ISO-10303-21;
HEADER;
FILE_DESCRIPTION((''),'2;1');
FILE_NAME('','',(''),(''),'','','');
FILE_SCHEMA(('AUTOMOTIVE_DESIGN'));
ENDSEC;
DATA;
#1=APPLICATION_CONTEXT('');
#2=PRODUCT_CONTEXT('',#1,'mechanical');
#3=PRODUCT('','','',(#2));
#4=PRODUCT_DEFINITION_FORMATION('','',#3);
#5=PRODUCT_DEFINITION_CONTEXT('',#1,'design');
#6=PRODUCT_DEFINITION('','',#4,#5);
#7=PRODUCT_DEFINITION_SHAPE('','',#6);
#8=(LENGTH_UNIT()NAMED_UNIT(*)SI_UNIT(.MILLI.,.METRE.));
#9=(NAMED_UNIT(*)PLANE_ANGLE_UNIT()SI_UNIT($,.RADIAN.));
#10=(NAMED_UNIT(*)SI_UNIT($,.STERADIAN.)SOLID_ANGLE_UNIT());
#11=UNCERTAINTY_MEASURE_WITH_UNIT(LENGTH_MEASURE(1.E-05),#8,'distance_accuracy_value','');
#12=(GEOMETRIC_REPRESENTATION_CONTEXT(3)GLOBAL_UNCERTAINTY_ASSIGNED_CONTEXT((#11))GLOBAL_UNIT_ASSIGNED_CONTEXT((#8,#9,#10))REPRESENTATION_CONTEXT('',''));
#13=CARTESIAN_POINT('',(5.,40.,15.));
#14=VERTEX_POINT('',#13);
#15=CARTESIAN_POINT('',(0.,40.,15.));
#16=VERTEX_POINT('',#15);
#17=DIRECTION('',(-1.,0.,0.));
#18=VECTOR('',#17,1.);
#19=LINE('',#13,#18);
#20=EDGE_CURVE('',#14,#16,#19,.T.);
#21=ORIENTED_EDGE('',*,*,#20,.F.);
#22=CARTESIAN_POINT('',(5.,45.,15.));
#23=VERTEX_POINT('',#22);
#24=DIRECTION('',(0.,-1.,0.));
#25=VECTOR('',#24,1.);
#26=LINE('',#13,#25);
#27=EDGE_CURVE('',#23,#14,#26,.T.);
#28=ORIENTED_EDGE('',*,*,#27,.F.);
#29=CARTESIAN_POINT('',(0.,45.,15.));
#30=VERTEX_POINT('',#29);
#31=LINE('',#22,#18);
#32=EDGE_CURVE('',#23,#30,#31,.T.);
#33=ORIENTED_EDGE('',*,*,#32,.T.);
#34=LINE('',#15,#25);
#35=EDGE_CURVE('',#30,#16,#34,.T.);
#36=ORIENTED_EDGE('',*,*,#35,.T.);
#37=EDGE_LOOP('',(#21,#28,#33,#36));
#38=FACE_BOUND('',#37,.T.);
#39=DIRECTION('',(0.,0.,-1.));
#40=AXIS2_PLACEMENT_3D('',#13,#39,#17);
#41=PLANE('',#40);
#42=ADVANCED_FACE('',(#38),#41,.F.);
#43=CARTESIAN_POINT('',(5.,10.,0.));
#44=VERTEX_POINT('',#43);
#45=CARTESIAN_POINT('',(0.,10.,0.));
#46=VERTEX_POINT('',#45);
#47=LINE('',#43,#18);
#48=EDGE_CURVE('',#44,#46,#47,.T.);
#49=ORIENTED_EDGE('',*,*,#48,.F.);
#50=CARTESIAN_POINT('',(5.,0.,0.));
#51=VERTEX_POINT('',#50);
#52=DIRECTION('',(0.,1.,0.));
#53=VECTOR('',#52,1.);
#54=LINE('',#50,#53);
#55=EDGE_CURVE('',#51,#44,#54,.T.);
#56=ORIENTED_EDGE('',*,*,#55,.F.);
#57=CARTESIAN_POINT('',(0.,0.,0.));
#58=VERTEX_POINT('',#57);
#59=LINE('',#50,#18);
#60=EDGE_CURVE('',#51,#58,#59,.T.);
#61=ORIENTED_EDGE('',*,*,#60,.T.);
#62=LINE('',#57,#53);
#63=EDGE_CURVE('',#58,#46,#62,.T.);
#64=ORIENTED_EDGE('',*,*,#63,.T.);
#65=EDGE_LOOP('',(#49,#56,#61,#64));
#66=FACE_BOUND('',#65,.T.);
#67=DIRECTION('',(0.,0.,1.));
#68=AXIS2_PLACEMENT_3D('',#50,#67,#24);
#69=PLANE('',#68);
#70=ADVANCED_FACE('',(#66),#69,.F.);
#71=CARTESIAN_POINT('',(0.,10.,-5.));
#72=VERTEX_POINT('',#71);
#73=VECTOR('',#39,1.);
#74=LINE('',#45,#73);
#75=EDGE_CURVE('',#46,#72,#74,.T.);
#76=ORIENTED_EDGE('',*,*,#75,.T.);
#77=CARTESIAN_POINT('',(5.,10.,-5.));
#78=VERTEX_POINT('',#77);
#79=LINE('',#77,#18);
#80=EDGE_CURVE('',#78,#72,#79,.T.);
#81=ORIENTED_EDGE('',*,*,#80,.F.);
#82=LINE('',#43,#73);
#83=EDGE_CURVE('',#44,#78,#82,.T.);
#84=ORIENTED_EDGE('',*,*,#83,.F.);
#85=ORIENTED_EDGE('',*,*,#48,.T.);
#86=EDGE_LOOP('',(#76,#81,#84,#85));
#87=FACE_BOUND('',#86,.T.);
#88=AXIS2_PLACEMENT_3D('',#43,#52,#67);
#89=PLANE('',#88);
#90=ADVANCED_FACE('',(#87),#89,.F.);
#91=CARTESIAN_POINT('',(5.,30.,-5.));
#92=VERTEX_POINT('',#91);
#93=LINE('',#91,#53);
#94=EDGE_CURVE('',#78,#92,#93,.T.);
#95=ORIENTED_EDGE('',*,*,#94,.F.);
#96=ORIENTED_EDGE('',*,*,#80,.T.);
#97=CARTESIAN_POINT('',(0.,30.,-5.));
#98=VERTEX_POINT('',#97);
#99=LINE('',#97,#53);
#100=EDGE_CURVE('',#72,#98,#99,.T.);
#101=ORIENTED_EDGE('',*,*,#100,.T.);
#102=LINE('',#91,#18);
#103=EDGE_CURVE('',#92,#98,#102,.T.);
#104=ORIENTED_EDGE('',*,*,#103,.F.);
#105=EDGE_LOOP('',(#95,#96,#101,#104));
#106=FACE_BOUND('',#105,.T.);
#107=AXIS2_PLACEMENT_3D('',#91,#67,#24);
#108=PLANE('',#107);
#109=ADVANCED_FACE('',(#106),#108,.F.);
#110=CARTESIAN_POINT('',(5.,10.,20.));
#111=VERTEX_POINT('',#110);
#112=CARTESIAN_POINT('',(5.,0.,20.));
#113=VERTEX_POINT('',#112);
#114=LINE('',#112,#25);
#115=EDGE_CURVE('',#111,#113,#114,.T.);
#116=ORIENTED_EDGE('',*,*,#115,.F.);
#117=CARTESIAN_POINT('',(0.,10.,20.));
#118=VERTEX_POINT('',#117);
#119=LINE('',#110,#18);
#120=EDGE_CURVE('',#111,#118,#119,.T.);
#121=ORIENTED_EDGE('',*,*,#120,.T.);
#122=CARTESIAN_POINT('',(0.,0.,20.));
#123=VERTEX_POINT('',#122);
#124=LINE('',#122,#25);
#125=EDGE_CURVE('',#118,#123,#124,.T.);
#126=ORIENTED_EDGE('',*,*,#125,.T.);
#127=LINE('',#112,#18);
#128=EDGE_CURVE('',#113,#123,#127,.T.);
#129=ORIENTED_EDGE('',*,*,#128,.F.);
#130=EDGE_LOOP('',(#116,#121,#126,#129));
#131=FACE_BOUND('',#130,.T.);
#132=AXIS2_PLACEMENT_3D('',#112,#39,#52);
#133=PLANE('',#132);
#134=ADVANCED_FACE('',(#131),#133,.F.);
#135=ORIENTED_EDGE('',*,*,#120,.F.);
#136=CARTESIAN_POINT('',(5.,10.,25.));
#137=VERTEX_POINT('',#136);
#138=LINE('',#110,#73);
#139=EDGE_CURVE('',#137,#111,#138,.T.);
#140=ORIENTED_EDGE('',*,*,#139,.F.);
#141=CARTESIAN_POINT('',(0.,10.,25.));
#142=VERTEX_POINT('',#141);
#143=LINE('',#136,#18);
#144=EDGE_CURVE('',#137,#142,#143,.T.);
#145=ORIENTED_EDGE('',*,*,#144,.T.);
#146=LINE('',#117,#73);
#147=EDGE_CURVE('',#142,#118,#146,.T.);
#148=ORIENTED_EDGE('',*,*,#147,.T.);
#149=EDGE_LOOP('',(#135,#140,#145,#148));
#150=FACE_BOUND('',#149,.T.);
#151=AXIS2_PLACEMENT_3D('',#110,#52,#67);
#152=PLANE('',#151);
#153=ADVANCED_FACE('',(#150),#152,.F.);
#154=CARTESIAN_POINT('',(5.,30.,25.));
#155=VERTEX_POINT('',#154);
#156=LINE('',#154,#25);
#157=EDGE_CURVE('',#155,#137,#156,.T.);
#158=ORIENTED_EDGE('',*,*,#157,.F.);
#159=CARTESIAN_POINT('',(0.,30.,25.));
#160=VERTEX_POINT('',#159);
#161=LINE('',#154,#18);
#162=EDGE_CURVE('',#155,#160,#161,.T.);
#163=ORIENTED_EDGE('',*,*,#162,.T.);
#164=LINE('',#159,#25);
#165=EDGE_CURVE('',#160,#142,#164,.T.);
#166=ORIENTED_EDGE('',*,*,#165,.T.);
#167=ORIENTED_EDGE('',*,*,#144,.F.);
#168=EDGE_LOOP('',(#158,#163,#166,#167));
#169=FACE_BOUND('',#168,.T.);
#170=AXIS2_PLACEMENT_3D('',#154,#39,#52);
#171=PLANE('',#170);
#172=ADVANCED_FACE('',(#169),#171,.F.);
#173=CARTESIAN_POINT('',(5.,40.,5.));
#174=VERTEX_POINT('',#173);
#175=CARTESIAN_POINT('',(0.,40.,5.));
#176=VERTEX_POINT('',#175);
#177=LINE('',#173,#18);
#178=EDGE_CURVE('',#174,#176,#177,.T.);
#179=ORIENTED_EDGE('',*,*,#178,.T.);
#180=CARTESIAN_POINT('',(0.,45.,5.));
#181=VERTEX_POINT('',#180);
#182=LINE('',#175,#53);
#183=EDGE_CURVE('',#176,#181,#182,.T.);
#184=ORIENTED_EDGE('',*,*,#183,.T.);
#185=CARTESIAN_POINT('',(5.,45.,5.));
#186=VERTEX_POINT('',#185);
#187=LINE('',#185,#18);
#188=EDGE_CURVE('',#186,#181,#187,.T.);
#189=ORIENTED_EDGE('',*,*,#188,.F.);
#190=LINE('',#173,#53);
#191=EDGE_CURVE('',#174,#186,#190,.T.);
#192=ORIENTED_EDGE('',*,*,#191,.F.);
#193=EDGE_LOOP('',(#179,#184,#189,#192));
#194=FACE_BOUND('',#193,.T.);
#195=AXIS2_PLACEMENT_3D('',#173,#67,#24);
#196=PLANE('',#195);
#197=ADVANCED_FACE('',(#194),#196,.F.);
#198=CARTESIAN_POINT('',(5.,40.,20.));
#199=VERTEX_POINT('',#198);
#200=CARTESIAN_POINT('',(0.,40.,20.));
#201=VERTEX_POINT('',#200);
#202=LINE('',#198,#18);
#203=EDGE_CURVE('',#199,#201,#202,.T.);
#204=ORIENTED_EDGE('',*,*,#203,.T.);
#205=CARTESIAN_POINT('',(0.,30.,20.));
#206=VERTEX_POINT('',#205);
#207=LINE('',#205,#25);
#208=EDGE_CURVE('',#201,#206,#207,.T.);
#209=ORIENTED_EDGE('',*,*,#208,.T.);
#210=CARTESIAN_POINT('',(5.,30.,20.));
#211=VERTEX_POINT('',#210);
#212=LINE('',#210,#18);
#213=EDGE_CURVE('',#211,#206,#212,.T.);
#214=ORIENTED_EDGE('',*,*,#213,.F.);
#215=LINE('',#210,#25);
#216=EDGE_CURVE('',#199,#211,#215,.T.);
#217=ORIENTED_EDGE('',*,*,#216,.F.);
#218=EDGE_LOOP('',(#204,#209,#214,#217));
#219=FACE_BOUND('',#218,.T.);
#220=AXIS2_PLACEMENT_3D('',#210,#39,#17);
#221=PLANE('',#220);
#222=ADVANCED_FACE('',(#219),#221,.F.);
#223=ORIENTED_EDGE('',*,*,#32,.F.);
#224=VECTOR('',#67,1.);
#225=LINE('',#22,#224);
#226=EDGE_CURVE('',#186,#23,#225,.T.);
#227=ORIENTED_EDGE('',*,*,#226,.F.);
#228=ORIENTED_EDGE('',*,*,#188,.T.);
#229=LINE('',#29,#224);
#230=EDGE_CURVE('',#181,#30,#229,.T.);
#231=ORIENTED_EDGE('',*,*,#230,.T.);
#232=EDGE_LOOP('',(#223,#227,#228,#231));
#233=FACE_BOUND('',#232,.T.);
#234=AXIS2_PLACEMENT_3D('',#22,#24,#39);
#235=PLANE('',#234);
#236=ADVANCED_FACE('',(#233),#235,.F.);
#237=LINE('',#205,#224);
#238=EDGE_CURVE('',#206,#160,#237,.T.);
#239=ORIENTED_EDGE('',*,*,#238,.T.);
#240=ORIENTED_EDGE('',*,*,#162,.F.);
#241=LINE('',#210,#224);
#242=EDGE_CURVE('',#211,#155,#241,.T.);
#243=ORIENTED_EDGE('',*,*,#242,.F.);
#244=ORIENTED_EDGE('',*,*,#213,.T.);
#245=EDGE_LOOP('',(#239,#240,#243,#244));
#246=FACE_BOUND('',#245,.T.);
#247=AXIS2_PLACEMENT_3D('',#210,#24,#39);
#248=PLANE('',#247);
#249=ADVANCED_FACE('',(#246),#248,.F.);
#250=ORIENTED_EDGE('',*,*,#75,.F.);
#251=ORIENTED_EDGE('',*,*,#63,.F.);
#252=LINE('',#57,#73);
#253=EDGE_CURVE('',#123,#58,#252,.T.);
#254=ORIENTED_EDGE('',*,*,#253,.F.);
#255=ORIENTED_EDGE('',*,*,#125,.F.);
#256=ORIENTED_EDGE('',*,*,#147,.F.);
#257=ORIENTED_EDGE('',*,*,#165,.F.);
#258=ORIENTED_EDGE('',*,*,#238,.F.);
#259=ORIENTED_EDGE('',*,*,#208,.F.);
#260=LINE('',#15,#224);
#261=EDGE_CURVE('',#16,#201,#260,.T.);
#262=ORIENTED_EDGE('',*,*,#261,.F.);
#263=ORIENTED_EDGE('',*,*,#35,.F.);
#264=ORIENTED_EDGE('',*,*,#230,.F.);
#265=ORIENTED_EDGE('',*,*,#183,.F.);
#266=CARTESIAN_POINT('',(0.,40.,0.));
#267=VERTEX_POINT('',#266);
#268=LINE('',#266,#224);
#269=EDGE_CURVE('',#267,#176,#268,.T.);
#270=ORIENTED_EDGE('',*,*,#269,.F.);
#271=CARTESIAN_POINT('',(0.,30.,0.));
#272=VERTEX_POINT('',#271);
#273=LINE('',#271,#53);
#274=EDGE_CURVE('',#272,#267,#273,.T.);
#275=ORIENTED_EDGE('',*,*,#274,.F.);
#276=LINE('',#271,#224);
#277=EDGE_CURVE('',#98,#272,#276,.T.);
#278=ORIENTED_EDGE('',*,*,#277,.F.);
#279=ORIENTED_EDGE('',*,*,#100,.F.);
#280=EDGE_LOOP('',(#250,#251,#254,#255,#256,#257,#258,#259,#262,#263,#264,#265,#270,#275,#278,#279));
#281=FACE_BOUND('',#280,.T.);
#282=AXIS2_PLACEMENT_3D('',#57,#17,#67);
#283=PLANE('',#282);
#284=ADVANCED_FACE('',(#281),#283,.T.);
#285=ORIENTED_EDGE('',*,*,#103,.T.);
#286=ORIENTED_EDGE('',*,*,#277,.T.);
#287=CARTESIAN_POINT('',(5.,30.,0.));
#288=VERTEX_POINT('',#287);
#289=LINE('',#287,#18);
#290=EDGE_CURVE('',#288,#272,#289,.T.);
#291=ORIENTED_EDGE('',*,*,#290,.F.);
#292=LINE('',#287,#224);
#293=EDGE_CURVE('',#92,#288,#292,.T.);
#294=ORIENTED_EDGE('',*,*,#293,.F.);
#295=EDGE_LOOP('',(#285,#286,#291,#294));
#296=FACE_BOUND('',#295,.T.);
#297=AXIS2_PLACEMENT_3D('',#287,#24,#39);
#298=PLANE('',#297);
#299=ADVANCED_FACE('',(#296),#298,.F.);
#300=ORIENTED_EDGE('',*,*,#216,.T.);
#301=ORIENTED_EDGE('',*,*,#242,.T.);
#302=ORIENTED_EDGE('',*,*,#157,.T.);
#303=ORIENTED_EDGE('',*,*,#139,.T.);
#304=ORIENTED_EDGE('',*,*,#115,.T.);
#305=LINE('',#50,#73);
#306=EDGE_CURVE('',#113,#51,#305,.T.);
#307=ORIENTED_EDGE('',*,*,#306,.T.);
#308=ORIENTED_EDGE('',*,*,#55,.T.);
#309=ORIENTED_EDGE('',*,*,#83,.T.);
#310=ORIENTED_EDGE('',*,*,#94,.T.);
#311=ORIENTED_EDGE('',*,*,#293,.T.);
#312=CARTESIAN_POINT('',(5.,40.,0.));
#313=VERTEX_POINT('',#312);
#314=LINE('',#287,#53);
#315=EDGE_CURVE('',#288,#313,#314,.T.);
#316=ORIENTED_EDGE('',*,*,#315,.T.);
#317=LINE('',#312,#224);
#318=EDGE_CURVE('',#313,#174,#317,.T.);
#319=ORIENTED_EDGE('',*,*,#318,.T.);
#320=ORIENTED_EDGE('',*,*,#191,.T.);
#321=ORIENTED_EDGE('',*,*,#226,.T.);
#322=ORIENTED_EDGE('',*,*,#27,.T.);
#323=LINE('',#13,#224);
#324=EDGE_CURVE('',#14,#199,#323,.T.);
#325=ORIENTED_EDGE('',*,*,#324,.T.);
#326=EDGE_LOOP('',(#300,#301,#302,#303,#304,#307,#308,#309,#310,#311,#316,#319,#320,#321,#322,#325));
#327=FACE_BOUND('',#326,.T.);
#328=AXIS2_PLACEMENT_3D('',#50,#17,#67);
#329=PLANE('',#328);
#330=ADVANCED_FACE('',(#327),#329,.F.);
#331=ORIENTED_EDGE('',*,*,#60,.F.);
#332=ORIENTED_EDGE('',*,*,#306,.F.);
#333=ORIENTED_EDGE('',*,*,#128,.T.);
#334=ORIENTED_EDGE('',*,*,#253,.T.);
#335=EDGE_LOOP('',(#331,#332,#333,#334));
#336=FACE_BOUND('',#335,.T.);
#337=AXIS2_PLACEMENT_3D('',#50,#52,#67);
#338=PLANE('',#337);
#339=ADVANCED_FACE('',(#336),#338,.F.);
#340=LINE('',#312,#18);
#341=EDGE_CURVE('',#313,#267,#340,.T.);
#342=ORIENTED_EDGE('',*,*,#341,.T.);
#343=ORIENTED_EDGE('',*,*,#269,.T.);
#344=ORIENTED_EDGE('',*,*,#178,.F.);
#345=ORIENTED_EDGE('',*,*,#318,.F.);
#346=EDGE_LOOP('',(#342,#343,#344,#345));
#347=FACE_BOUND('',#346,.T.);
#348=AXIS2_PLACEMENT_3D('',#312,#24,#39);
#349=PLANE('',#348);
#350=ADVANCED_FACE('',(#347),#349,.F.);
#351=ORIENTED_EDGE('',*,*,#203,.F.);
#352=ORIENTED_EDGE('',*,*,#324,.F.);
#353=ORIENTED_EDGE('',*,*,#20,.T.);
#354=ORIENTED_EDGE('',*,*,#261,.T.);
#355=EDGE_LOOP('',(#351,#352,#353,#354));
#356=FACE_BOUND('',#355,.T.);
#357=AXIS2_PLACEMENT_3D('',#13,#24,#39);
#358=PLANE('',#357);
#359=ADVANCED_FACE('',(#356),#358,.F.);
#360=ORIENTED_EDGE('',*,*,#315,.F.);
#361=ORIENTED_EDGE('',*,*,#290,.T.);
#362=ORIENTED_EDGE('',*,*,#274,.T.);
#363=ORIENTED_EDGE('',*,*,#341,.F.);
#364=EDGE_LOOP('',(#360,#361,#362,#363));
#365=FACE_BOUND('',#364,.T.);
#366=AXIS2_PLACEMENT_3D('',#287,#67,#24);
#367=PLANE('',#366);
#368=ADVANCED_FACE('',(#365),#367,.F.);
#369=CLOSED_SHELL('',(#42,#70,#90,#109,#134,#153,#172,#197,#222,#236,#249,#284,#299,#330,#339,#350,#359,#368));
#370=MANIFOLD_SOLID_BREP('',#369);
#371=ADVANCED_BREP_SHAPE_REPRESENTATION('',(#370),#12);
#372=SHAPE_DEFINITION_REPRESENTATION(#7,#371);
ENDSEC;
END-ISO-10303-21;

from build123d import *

# Parameters (mm, degrees)
EXTRUDE_1_DEPTH = 5


with BuildPart() as part:
    # 草图2 → 凸台-拉伸1 (new body)
    with BuildSketch(Plane(origin=(0, 0, 0), x_dir=(0, 0, -1), z_dir=(1, 0, 0))):
        Polygon((-15, 40), (-20, 40), (-20, 30), (-25, 30), (-25, 10), (-20, 10), (-20, 0), (0, 0), (0, 10), (5, 10), (5, 30), (0, 30), (0, 40), (-5, 40), (-5, 45), (-15, 45), align=None)
    extrude(amount=EXTRUDE_1_DEPTH)


solid = part.part
